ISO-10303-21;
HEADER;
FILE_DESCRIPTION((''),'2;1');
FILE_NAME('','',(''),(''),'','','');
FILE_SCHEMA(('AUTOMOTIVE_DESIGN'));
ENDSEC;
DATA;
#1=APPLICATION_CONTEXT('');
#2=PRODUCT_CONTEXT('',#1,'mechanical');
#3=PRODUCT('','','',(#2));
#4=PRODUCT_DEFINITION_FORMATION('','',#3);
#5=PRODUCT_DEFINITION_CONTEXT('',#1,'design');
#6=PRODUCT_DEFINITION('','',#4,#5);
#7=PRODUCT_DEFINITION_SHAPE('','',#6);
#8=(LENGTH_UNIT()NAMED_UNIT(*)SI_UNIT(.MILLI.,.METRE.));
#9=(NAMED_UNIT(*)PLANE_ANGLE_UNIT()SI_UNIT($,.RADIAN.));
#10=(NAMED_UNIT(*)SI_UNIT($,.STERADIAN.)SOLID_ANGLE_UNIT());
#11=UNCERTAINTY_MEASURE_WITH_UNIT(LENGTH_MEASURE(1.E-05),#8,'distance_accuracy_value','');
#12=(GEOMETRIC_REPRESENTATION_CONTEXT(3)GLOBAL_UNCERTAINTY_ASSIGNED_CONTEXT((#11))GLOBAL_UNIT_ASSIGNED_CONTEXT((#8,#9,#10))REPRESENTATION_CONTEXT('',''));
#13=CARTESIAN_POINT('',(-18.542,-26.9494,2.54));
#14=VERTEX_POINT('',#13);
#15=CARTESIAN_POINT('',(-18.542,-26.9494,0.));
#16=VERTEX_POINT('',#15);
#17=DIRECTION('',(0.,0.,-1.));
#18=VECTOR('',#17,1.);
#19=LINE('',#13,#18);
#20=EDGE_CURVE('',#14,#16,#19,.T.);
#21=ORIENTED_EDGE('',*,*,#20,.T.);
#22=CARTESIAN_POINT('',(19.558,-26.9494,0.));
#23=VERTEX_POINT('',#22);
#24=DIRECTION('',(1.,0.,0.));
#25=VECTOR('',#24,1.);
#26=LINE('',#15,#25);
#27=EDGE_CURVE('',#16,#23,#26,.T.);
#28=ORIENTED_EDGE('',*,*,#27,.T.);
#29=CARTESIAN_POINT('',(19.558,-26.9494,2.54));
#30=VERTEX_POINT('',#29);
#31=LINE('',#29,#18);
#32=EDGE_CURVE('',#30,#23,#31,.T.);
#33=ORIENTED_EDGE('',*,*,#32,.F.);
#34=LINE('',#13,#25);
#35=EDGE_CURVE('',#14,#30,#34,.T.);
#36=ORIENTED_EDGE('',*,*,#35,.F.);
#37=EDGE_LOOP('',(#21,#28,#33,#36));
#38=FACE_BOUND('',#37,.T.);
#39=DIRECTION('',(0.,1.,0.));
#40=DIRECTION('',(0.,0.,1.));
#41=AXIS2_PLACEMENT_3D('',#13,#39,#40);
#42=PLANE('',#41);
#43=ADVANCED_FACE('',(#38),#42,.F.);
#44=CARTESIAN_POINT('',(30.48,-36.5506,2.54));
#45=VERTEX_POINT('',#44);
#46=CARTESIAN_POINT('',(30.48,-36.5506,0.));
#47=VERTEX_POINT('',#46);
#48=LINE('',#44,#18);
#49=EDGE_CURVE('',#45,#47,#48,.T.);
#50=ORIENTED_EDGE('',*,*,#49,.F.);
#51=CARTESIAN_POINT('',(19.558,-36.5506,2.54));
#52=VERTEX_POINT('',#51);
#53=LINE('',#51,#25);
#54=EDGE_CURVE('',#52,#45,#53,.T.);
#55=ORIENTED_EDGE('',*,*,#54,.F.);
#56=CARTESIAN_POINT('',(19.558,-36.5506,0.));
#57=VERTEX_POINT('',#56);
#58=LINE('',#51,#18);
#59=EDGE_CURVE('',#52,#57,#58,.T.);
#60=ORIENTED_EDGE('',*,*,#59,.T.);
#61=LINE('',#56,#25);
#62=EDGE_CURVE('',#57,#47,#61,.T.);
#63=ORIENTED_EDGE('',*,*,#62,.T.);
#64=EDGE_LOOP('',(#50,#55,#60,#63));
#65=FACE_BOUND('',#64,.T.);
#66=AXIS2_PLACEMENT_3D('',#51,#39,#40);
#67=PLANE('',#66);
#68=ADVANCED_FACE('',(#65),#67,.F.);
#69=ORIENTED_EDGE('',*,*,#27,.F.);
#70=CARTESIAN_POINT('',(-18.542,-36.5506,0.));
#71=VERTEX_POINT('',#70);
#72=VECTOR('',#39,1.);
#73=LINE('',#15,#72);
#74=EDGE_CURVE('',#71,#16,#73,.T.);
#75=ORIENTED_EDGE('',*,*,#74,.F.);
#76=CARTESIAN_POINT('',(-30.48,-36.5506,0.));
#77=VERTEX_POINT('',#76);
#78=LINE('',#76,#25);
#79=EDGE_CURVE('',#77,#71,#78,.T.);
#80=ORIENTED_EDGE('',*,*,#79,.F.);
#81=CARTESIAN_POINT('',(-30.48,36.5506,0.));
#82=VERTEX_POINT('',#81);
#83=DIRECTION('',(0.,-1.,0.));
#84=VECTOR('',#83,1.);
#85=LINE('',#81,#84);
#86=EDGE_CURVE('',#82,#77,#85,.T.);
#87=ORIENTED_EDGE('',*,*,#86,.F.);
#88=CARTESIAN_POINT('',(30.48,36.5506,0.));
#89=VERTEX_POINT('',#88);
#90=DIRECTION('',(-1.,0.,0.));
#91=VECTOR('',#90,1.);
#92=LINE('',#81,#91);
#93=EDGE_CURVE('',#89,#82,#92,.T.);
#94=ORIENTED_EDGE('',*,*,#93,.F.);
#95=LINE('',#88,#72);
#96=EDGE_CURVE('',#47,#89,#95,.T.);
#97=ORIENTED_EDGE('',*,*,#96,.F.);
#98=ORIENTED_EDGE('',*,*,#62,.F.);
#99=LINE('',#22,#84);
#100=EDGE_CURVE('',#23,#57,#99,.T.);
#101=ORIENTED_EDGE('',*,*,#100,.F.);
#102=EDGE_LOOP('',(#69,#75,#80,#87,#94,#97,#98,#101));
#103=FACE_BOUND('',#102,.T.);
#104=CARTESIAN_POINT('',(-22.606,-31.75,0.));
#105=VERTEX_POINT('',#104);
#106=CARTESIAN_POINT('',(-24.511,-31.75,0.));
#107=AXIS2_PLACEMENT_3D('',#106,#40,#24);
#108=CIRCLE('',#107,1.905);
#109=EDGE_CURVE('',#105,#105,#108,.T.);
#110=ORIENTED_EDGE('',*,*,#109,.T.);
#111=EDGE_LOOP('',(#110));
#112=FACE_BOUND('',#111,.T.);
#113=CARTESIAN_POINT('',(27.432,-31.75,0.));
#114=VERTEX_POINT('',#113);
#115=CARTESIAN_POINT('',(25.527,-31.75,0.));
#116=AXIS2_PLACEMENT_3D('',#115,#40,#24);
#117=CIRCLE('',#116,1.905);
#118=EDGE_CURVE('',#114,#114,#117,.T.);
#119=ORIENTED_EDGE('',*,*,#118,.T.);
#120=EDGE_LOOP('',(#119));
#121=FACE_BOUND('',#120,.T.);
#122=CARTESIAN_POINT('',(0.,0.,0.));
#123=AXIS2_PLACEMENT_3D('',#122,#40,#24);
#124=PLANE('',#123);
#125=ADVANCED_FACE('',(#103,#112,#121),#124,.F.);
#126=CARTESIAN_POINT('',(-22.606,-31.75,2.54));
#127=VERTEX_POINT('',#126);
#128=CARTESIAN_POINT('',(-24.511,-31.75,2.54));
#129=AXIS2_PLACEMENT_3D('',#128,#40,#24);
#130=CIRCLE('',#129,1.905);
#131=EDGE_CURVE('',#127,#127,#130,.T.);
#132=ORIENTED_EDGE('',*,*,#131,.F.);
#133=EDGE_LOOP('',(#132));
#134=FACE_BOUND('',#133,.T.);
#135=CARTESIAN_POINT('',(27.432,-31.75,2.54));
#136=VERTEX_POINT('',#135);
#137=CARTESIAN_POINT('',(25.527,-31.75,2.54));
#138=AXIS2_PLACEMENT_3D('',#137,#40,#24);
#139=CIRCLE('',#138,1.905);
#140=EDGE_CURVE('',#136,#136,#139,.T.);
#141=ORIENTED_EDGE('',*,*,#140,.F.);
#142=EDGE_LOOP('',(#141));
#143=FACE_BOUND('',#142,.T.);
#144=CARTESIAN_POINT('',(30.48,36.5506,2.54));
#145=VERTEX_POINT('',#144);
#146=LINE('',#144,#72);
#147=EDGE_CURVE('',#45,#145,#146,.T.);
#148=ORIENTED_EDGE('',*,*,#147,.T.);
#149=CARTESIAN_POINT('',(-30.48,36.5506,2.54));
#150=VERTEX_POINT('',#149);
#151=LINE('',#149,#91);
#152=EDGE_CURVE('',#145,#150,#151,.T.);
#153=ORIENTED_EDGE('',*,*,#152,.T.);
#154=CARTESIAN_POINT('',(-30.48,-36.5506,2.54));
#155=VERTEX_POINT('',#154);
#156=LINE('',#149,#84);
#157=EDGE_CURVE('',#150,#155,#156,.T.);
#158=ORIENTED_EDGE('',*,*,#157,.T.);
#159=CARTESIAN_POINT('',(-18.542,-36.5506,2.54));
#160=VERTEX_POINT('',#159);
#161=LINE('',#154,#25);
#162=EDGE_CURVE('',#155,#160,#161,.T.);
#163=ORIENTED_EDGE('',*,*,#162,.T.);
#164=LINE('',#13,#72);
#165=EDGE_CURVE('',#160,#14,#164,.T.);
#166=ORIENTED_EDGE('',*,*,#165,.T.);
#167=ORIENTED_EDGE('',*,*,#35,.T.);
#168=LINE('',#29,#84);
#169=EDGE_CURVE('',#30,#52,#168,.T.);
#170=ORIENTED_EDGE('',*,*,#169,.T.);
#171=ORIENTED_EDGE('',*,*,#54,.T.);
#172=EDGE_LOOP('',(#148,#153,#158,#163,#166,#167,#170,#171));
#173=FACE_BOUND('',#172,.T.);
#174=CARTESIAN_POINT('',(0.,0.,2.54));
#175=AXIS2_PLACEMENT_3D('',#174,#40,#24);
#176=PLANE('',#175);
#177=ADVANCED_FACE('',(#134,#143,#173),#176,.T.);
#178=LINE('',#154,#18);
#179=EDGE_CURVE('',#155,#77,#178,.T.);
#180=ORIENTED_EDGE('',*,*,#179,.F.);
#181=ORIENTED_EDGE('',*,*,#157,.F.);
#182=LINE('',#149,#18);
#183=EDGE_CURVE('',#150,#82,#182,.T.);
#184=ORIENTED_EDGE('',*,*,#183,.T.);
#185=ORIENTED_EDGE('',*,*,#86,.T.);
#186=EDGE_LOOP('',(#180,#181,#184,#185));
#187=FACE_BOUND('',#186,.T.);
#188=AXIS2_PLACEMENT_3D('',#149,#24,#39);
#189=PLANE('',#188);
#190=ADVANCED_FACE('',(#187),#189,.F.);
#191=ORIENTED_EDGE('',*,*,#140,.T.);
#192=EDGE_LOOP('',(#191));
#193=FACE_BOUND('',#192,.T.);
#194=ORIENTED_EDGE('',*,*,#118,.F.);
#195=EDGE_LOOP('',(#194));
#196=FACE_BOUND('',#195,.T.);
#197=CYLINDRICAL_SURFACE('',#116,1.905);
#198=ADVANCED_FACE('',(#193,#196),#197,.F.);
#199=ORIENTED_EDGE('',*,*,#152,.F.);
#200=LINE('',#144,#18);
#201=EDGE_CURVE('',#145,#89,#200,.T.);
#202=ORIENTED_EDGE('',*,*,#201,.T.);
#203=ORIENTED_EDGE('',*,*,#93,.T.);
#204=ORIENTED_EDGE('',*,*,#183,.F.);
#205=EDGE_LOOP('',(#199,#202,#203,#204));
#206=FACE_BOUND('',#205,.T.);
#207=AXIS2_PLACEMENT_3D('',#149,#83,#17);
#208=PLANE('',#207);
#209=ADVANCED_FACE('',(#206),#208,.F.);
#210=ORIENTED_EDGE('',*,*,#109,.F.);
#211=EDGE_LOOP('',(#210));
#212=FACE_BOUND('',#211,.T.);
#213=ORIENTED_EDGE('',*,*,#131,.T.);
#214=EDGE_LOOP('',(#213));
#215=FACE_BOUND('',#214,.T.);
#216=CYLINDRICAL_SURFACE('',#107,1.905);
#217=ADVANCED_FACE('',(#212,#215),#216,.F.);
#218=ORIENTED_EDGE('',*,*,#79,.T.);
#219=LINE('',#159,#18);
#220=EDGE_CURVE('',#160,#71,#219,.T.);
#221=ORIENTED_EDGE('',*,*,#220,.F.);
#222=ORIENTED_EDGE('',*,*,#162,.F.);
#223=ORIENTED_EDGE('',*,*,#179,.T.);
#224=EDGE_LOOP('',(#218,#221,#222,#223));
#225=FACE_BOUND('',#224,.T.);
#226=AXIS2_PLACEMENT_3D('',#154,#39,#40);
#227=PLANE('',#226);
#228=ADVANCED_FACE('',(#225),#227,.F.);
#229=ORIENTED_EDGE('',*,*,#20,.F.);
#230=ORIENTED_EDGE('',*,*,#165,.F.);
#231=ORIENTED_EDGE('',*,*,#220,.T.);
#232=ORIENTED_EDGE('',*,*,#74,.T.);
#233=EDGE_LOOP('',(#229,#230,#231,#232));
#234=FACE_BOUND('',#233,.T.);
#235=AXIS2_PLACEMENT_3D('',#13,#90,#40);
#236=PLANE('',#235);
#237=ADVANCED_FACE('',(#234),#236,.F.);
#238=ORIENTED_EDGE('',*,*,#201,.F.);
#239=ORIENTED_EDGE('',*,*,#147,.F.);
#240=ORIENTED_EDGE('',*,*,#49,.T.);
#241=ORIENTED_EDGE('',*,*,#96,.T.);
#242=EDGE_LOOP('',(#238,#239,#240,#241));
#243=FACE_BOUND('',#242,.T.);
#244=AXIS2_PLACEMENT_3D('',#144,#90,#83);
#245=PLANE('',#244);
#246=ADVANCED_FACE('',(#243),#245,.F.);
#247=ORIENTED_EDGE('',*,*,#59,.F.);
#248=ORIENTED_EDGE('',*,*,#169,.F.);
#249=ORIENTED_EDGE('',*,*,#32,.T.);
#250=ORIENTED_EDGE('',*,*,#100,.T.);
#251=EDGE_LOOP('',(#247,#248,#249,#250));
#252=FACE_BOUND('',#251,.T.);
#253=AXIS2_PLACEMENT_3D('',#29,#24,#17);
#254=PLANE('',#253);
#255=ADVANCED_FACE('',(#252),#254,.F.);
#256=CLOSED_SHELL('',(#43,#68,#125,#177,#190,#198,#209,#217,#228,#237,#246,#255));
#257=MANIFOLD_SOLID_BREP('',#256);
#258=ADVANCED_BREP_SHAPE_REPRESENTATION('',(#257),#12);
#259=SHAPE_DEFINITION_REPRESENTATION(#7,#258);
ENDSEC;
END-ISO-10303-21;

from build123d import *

# Parameters (mm, degrees)
BOSS_EXTRUDE1_DEPTH = 2.54
SKETCH2_R           = 1.905
CUT_EXTRUDE1_DEPTH  = 2.54


with BuildPart() as part:
    # Sketch1 → Boss-Extrude1 (new body)
    with BuildSketch(Plane.XY):
        Polygon((19.558, -36.5506), (30.48, -36.5506), (30.48, 36.5506), (-30.48, 36.5506), (-30.48, -36.5506), (-18.542, -36.5506), (-18.542, -26.9494), (19.558, -26.9494), align=None)
    extrude(amount=BOSS_EXTRUDE1_DEPTH)

    # Sketch2 → Cut-Extrude1 (cut)
    with BuildSketch(Plane.XY.offset(2.54)):
        with Locations((-24.511, -31.75)):
            Circle(SKETCH2_R)
        with Locations((25.527, -31.75)):
            Circle(SKETCH2_R)
    extrude(amount=-CUT_EXTRUDE1_DEPTH, mode=Mode.SUBTRACT)


solid = part.part
